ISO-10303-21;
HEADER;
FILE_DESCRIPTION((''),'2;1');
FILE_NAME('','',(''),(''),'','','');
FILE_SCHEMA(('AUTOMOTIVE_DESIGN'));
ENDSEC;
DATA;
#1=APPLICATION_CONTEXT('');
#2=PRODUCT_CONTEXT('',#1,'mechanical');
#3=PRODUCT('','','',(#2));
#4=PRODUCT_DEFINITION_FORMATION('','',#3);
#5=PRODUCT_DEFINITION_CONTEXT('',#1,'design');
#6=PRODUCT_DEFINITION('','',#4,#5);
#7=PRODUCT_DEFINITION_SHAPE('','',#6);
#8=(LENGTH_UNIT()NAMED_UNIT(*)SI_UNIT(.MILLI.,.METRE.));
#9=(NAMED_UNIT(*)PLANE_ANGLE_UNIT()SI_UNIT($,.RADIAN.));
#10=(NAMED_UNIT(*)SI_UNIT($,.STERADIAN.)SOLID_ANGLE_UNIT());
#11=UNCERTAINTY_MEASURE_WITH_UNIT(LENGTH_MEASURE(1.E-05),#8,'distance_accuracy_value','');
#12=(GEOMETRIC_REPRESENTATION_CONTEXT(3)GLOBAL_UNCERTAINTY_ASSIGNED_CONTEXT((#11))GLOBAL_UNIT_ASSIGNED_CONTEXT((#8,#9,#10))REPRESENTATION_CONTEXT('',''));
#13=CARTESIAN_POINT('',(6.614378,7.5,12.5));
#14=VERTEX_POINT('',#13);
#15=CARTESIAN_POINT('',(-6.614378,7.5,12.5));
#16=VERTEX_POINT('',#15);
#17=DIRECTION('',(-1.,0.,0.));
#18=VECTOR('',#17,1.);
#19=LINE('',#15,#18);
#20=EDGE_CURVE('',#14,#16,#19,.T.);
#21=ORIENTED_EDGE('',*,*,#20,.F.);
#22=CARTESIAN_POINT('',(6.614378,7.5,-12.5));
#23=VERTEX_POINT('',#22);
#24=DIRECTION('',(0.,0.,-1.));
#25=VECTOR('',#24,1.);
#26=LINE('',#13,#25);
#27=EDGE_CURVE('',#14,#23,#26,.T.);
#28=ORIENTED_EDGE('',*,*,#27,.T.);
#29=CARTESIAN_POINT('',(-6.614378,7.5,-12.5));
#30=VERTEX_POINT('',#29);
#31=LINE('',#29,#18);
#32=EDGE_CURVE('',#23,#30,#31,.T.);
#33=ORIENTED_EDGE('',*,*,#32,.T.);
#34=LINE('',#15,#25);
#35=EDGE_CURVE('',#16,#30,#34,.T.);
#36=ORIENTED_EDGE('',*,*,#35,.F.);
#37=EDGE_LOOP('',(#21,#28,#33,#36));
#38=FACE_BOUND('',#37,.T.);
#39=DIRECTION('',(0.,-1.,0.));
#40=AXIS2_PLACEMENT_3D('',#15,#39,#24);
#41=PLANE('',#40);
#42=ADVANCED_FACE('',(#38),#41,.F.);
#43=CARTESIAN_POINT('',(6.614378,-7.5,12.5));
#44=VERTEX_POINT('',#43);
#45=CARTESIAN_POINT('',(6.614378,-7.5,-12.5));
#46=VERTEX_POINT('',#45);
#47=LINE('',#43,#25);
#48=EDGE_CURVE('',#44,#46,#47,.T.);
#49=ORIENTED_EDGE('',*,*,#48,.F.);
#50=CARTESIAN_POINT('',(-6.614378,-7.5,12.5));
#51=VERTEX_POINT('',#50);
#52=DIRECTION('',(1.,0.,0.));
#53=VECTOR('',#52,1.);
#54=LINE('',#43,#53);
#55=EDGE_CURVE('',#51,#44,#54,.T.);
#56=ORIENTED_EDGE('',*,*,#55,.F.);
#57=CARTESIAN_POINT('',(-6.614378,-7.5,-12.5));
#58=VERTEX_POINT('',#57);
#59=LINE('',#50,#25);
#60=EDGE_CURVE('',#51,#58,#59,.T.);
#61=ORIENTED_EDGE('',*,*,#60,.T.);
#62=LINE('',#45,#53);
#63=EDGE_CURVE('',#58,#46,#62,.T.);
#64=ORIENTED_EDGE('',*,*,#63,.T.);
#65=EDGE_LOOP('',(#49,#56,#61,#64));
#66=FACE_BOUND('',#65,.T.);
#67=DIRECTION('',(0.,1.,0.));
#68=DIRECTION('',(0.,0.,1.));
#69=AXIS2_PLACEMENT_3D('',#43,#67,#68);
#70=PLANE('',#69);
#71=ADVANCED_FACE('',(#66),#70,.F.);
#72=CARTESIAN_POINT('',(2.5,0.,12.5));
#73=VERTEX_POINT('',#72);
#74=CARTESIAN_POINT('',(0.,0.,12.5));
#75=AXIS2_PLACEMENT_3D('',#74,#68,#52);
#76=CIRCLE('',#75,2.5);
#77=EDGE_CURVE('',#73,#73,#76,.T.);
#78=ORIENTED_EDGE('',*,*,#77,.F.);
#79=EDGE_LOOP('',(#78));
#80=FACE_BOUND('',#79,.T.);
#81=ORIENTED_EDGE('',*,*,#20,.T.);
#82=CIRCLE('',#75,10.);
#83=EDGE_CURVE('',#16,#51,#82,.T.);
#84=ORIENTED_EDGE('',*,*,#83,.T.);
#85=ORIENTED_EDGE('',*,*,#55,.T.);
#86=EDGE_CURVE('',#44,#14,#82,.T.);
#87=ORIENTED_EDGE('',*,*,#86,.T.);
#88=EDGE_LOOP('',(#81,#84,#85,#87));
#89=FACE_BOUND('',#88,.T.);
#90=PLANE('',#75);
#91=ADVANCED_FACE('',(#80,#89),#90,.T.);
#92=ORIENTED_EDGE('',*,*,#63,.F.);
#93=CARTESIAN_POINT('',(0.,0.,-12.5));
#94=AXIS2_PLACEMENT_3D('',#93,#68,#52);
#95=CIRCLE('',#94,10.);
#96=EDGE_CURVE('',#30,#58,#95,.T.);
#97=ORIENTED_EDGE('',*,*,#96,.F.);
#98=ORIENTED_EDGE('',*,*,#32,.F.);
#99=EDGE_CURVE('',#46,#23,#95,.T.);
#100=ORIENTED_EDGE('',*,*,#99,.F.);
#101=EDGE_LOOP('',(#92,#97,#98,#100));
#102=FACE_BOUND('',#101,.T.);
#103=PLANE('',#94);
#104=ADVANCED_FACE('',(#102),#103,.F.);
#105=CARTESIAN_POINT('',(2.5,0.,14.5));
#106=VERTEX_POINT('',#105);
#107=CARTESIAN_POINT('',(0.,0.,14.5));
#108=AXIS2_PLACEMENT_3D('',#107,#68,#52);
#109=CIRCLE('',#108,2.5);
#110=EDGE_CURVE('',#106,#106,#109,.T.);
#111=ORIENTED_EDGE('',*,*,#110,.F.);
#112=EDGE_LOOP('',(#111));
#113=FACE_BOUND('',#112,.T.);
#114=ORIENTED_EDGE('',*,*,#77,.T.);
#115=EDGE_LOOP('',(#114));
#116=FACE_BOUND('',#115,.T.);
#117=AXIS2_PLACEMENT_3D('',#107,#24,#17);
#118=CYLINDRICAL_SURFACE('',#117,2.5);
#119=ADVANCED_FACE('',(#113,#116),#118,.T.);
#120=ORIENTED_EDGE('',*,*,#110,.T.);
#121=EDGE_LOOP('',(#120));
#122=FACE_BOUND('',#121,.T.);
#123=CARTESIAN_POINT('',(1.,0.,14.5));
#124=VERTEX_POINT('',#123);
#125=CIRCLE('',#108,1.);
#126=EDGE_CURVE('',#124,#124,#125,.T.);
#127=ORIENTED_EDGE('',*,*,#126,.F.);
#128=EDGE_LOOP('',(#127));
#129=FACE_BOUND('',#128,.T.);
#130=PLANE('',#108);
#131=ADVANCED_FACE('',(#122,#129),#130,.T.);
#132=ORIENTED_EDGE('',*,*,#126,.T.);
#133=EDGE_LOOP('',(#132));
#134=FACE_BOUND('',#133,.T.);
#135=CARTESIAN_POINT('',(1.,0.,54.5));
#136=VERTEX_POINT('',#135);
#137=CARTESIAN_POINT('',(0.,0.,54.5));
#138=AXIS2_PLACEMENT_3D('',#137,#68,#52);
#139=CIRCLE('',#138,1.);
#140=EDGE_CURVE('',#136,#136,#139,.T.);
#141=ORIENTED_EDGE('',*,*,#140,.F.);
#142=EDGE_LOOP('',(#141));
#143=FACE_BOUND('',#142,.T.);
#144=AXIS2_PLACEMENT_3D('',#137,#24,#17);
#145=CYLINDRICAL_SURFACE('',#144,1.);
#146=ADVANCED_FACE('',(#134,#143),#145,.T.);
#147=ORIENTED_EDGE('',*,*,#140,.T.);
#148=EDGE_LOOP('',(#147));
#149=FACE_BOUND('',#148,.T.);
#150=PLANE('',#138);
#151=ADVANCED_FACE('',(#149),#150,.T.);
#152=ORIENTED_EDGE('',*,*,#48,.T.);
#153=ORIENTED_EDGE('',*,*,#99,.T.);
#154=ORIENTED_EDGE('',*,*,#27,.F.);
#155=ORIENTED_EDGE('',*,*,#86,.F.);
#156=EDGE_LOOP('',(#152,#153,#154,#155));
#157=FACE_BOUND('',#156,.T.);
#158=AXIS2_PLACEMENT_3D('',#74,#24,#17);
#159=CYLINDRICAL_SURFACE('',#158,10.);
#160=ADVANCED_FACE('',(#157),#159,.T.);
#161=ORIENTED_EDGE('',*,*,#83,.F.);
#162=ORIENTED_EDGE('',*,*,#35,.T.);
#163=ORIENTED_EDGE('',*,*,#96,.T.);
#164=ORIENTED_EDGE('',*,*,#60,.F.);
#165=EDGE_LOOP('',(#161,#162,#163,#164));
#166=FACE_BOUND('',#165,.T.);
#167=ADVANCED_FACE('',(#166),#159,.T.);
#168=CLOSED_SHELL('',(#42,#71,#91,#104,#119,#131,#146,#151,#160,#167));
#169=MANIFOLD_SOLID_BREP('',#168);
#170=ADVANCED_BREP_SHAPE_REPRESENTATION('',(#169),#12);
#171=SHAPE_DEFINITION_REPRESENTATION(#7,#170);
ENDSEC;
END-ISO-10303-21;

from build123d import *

# Parameters (mm, degrees)
BOSS_EXTRU_1_DEPTH = 12.5
ESQUISSE2_R        = 2.5
BOSS_EXTRU_2_DEPTH = 2
ESQUISSE3_R        = 1
BOSS_EXTRU_3_DEPTH = 40


with BuildPart() as part:
    # Esquisse1 → Boss.-Extru.1 (new, symmetric)
    with BuildSketch(Plane.XY):
        with BuildLine():
            Line((-6.614378278, 7.5), (6.614378278, 7.5))
            ThreePointArc((6.614378278, 7.5), (10, 0), (6.614378278, -7.5))
            Line((6.614378278, -7.5), (-6.614378278, -7.5))
            ThreePointArc((-6.614378278, -7.5), (-10, 0), (-6.614378278, 7.5))
        make_face()
    extrude(amount=BOSS_EXTRU_1_DEPTH, both=True)

    # Esquisse2 → Boss.-Extru.2 (add)
    with BuildSketch(Plane.XY.offset(12.5)):
        Circle(ESQUISSE2_R)
    extrude(amount=BOSS_EXTRU_2_DEPTH)

    # Esquisse3 → Boss.-Extru.3 (add)
    with BuildSketch(Plane.XY.offset(14.5)):
        Circle(ESQUISSE3_R)
    extrude(amount=BOSS_EXTRU_3_DEPTH)


solid = part.part
